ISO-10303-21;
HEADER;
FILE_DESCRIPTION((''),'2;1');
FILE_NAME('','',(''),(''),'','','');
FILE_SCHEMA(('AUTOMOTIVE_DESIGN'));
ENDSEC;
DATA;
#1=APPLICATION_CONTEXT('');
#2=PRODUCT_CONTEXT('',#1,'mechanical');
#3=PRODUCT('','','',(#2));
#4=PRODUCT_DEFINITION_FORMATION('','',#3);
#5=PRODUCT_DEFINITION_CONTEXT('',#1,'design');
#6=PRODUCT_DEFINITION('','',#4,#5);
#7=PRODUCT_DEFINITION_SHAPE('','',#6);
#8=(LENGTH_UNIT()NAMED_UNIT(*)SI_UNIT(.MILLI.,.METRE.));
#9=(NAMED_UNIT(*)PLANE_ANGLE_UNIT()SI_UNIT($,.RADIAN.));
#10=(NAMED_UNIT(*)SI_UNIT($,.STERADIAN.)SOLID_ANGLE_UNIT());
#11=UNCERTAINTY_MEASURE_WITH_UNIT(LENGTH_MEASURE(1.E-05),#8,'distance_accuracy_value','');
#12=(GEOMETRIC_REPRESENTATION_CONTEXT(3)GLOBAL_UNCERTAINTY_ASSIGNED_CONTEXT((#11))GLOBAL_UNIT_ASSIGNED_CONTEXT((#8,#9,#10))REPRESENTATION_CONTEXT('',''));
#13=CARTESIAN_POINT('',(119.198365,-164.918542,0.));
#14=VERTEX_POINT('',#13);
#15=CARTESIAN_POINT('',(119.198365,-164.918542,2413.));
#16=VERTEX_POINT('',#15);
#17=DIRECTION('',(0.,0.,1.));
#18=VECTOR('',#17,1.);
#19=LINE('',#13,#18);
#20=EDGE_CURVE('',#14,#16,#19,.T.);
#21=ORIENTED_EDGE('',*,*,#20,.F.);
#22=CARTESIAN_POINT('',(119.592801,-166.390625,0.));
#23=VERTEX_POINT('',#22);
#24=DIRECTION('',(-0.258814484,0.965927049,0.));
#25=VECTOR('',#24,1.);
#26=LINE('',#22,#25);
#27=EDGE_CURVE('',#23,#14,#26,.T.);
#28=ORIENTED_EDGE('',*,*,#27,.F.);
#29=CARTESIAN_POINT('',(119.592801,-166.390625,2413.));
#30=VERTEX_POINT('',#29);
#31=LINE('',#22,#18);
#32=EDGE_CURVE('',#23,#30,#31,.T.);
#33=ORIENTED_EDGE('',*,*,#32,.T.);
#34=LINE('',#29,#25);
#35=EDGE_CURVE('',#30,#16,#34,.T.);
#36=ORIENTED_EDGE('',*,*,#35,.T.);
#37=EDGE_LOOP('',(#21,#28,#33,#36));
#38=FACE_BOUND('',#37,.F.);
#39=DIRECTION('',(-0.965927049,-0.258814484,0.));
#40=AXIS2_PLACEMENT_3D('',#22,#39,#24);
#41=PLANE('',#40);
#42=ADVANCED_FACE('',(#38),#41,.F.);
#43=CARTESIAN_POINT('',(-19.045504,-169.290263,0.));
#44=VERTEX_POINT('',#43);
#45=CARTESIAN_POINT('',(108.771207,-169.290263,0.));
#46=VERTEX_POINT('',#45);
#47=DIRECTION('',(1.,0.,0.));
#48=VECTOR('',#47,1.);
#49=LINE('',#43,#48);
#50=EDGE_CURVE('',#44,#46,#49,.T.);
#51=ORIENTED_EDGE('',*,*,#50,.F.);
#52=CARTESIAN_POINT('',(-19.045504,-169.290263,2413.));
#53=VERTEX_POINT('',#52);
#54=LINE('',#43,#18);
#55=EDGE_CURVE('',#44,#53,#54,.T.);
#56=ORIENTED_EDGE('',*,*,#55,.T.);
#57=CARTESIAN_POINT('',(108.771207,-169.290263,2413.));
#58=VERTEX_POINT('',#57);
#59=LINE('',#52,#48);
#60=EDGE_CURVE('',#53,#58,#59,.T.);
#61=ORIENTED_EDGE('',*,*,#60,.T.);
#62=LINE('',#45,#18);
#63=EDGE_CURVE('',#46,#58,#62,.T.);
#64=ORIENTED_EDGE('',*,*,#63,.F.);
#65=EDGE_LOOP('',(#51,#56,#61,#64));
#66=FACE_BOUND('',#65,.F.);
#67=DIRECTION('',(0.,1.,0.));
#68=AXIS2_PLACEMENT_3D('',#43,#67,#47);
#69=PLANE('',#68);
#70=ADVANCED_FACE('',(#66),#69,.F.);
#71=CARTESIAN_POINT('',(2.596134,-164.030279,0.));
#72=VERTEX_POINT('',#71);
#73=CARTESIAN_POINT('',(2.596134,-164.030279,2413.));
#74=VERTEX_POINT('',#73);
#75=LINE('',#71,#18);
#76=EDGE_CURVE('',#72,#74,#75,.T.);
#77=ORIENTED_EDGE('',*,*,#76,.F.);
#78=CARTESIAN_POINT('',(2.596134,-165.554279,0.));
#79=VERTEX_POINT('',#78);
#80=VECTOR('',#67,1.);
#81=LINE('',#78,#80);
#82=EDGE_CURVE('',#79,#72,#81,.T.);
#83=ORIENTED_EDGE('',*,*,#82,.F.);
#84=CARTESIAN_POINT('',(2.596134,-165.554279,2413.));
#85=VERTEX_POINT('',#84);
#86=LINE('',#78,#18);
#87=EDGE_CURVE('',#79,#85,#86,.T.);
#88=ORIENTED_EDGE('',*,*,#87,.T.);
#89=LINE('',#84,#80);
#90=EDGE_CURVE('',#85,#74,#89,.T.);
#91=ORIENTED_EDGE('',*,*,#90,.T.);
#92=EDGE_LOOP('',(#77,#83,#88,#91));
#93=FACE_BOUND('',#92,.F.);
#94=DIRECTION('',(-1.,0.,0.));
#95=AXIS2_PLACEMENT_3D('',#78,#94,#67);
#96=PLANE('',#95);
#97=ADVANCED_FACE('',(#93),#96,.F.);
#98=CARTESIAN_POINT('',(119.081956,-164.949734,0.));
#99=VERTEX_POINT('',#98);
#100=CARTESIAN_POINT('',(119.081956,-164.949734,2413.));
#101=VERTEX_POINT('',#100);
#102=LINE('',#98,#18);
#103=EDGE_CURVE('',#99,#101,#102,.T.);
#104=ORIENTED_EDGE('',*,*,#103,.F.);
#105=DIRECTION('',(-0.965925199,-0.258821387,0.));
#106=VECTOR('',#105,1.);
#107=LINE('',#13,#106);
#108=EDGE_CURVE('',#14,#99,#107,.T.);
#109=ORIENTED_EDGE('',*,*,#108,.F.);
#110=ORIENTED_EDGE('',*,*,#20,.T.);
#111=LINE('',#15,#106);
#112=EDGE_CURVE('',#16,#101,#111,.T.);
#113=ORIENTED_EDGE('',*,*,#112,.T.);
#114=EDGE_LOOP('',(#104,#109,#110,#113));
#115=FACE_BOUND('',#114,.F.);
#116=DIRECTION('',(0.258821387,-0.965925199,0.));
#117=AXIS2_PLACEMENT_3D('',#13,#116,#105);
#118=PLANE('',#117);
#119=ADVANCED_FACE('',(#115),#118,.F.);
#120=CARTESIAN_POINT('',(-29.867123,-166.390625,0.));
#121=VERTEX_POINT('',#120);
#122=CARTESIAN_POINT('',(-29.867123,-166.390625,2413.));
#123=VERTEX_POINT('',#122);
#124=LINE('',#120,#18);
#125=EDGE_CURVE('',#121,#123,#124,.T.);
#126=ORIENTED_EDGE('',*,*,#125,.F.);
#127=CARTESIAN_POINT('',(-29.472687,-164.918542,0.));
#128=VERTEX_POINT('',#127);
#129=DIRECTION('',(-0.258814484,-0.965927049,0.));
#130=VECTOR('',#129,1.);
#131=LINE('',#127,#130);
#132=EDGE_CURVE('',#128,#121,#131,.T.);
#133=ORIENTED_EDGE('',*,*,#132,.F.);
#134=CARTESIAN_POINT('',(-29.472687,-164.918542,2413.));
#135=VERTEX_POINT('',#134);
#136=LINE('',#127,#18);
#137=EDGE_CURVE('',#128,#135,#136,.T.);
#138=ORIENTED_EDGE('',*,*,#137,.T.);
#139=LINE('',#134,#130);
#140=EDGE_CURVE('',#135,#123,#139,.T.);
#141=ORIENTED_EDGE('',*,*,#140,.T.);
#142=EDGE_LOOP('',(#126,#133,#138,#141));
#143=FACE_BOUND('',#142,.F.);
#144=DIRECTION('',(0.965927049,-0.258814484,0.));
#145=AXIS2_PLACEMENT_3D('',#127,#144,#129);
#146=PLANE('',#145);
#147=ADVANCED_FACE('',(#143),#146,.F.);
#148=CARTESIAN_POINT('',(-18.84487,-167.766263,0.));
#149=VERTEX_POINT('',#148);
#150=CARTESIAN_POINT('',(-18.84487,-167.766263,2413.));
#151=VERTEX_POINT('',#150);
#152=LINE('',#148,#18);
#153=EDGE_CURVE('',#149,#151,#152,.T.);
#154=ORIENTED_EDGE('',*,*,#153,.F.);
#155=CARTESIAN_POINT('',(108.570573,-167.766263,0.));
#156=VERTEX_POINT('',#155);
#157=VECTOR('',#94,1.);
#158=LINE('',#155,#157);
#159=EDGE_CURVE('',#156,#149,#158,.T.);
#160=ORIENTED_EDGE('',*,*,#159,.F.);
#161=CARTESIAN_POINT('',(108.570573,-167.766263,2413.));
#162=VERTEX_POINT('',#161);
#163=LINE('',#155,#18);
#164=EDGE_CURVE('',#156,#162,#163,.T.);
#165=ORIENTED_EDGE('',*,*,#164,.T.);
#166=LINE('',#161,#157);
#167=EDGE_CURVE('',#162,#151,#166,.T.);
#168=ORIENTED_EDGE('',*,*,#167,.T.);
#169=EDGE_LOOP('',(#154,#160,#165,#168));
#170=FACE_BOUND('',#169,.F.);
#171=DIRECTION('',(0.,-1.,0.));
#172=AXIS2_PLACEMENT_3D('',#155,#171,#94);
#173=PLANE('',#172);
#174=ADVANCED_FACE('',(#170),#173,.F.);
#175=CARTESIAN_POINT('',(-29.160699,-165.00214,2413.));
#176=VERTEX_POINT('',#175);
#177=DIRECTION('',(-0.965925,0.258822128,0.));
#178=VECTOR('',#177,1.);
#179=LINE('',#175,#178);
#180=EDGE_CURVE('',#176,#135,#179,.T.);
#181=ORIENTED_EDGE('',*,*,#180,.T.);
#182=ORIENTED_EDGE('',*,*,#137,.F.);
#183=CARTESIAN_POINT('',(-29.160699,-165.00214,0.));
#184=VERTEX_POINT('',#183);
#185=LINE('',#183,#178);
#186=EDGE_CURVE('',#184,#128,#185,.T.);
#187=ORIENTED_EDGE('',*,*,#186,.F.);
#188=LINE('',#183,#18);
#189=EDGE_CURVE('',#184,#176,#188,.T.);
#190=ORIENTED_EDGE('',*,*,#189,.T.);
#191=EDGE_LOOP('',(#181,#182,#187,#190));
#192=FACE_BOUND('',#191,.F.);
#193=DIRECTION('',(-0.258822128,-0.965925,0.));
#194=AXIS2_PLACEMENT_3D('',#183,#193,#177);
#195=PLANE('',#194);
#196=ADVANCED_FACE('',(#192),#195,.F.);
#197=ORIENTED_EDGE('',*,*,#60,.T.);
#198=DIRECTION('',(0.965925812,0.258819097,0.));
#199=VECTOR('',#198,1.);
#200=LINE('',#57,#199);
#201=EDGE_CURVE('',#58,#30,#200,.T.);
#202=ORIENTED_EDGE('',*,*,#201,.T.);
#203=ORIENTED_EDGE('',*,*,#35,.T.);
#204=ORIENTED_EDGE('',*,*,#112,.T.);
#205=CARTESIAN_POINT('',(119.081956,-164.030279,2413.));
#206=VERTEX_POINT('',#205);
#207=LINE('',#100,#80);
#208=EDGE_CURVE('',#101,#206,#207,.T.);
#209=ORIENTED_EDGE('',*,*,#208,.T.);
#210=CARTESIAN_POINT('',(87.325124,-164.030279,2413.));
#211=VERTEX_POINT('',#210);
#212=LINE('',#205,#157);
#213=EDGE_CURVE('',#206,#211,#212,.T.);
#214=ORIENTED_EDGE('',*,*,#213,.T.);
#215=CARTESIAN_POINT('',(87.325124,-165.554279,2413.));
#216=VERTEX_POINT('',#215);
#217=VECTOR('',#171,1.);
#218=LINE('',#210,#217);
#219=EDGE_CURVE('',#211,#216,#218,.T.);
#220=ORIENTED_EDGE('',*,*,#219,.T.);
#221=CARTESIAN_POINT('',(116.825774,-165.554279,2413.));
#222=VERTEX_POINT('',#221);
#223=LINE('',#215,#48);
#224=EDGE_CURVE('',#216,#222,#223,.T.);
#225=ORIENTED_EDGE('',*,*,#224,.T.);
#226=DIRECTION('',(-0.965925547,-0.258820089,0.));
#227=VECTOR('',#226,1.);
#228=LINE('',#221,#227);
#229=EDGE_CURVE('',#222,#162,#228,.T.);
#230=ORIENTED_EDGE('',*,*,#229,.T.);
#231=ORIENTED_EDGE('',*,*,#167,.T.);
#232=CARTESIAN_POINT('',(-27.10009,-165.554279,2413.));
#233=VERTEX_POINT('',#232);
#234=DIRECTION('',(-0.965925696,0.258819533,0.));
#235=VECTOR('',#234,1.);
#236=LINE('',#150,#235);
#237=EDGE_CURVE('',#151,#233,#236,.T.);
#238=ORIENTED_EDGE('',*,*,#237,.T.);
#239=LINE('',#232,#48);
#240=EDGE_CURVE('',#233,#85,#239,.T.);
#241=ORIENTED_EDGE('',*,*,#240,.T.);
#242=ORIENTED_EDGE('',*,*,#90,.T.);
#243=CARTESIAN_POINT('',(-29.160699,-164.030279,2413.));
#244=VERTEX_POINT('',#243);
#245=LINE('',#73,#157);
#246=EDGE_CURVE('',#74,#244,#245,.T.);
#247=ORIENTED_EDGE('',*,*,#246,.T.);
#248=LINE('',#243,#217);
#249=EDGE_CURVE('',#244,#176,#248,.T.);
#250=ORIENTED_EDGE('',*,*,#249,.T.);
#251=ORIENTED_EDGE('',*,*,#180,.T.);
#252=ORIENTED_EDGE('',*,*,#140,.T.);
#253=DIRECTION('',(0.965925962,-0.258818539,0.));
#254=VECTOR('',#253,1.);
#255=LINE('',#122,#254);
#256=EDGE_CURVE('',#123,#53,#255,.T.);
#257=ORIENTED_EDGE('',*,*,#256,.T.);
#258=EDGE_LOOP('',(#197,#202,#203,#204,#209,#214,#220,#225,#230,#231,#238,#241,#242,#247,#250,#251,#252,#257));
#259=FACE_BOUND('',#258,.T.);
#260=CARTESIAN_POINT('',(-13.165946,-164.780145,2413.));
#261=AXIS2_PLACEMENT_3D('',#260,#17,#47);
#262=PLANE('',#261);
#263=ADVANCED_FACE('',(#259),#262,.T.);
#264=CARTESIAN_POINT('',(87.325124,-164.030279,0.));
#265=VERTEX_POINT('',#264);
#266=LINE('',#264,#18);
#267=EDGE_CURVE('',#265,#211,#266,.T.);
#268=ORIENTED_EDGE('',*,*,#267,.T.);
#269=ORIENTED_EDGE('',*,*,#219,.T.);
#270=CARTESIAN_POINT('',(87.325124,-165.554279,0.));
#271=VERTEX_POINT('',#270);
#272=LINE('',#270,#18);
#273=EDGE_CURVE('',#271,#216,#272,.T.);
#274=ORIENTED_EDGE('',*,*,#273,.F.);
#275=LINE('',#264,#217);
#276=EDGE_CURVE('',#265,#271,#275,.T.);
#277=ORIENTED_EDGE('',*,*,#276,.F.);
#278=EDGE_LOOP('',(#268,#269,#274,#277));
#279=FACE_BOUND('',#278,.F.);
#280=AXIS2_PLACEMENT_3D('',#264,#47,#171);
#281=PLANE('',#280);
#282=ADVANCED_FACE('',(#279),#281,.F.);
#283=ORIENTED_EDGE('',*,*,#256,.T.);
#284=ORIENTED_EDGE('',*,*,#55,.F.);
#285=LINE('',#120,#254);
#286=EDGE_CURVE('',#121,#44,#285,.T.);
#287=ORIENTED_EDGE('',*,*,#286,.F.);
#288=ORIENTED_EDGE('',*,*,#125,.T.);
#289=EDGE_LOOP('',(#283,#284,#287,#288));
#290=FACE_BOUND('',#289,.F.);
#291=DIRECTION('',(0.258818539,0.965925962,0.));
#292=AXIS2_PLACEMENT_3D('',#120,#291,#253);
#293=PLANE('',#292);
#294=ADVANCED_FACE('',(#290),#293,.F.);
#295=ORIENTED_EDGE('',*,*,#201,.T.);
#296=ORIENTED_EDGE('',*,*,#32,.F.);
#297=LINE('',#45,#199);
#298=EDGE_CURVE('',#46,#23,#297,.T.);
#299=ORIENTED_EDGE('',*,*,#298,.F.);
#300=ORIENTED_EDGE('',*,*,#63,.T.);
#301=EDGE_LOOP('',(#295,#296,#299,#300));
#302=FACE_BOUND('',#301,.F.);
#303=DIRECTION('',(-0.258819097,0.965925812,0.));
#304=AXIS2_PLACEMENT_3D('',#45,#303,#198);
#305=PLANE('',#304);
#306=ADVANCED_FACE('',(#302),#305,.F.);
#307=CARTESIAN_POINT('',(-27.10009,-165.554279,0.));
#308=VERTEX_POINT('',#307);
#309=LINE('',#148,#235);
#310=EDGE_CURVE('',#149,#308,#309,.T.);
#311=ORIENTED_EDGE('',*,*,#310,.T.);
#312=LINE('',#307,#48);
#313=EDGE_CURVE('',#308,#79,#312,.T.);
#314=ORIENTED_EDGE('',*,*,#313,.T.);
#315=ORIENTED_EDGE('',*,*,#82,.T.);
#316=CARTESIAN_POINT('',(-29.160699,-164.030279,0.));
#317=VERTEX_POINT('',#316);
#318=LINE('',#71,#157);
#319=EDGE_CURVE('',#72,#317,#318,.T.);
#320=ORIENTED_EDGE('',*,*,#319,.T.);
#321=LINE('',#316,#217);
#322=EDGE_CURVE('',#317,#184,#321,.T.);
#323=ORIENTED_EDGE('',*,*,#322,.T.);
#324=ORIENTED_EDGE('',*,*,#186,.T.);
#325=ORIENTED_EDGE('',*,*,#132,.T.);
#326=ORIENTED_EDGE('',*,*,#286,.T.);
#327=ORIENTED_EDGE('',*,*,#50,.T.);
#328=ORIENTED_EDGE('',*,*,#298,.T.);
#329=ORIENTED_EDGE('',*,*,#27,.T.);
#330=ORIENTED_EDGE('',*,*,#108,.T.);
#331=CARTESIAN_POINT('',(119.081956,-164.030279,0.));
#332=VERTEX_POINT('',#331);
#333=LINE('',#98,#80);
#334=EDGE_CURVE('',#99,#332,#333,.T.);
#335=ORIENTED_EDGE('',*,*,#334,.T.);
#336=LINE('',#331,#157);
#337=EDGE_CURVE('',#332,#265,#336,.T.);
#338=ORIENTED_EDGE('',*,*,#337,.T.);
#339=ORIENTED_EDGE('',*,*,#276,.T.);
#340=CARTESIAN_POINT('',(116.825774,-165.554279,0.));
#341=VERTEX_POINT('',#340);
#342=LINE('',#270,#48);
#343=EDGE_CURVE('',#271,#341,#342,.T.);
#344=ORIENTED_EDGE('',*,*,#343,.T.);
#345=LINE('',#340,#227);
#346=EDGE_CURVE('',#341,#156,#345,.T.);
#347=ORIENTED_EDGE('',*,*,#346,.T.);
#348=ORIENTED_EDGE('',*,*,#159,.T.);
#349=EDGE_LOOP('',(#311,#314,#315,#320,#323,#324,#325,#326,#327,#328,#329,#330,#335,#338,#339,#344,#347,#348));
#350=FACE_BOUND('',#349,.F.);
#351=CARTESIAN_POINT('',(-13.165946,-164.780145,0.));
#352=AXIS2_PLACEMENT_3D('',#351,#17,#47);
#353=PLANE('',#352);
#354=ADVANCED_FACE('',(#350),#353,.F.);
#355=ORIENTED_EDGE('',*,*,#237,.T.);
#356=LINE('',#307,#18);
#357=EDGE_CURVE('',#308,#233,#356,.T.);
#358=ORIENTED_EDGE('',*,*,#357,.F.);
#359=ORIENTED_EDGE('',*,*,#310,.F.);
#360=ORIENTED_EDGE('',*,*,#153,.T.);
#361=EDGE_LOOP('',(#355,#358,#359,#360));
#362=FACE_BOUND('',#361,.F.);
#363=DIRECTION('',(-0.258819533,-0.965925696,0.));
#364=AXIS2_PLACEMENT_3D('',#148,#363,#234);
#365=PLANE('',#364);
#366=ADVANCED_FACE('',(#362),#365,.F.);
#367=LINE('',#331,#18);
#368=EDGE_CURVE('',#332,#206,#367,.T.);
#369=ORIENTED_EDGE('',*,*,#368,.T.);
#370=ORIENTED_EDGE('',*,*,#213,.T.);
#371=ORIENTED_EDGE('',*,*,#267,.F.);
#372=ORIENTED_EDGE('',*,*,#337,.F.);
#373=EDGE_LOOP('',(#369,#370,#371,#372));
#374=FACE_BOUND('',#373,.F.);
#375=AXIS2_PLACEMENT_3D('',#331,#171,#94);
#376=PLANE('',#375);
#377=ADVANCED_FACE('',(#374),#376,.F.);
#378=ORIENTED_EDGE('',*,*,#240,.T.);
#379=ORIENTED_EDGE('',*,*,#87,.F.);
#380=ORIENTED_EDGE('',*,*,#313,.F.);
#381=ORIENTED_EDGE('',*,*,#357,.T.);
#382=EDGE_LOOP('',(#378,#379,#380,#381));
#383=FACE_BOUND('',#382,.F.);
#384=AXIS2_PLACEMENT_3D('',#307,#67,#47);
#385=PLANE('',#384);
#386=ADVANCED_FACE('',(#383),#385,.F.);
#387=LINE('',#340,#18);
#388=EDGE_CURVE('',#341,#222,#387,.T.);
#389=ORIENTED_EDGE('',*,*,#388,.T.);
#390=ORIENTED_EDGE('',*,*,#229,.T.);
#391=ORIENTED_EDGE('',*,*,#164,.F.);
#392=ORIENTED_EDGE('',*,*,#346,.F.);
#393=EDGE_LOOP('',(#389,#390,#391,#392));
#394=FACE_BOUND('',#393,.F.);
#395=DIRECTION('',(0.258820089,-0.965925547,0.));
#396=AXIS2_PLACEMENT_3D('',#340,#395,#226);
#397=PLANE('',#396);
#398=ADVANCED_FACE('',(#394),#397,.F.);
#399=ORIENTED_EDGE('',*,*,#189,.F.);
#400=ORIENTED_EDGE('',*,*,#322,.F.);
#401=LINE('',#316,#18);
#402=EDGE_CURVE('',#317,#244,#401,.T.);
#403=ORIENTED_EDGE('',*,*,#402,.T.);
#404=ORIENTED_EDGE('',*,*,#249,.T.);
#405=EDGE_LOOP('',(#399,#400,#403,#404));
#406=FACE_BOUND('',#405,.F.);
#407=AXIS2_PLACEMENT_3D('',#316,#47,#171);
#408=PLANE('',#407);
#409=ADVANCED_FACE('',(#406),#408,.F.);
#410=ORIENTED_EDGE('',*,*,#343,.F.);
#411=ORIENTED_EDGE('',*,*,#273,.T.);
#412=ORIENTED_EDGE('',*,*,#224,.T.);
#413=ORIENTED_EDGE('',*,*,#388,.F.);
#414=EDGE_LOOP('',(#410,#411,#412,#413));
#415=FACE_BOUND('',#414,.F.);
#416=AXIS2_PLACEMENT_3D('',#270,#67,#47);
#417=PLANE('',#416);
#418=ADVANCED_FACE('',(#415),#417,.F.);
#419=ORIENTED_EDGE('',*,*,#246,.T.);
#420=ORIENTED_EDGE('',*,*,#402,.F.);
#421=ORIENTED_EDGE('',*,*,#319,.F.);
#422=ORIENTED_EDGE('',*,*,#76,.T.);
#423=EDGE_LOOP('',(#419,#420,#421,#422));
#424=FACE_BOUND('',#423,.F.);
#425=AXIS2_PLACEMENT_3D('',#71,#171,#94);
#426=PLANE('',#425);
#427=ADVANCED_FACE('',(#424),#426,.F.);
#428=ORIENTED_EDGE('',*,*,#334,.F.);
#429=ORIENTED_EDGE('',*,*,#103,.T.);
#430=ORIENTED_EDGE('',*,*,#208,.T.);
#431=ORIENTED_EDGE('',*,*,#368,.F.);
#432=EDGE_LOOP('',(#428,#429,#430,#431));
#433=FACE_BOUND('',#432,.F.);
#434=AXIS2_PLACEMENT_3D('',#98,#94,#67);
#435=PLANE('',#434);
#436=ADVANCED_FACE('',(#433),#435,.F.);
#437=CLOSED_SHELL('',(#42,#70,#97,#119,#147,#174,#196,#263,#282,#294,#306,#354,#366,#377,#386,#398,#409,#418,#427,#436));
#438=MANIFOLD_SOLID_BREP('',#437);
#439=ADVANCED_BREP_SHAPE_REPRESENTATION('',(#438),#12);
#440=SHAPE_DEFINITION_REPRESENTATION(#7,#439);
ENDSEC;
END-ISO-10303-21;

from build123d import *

# Parameters (mm, degrees)
F1_DEPTH = 2413


with BuildPart() as f1:
    # F0 (on Top) → F1 (new body)
    with BuildSketch(Plane.XY):
        Polygon((-29.160699, -164.030279), (-29.160699, -165.00214), (-27.10009, -165.554279), (2.596134, -165.554279), (2.596134, -164.030279), align=None)
        Polygon((-29.867123, -166.390625), (-19.045504, -169.290263), (108.771207, -169.290263), (119.592801, -166.390625), (119.198365, -164.918542), (119.081956, -164.949734), (116.825774, -165.554279), (108.570573, -167.766263), (-9.583649, -167.766263), (-18.84487, -167.766263), (-27.10009, -165.554279), (-29.160699, -165.00214), (-29.472687, -164.918542), align=None)
        Polygon((116.825774, -165.554279), (119.081956, -164.949734), (119.081956, -164.030279), (87.325124, -164.030279), (87.325124, -165.554279), align=None)
    extrude(amount=F1_DEPTH)


solid = f1.part
